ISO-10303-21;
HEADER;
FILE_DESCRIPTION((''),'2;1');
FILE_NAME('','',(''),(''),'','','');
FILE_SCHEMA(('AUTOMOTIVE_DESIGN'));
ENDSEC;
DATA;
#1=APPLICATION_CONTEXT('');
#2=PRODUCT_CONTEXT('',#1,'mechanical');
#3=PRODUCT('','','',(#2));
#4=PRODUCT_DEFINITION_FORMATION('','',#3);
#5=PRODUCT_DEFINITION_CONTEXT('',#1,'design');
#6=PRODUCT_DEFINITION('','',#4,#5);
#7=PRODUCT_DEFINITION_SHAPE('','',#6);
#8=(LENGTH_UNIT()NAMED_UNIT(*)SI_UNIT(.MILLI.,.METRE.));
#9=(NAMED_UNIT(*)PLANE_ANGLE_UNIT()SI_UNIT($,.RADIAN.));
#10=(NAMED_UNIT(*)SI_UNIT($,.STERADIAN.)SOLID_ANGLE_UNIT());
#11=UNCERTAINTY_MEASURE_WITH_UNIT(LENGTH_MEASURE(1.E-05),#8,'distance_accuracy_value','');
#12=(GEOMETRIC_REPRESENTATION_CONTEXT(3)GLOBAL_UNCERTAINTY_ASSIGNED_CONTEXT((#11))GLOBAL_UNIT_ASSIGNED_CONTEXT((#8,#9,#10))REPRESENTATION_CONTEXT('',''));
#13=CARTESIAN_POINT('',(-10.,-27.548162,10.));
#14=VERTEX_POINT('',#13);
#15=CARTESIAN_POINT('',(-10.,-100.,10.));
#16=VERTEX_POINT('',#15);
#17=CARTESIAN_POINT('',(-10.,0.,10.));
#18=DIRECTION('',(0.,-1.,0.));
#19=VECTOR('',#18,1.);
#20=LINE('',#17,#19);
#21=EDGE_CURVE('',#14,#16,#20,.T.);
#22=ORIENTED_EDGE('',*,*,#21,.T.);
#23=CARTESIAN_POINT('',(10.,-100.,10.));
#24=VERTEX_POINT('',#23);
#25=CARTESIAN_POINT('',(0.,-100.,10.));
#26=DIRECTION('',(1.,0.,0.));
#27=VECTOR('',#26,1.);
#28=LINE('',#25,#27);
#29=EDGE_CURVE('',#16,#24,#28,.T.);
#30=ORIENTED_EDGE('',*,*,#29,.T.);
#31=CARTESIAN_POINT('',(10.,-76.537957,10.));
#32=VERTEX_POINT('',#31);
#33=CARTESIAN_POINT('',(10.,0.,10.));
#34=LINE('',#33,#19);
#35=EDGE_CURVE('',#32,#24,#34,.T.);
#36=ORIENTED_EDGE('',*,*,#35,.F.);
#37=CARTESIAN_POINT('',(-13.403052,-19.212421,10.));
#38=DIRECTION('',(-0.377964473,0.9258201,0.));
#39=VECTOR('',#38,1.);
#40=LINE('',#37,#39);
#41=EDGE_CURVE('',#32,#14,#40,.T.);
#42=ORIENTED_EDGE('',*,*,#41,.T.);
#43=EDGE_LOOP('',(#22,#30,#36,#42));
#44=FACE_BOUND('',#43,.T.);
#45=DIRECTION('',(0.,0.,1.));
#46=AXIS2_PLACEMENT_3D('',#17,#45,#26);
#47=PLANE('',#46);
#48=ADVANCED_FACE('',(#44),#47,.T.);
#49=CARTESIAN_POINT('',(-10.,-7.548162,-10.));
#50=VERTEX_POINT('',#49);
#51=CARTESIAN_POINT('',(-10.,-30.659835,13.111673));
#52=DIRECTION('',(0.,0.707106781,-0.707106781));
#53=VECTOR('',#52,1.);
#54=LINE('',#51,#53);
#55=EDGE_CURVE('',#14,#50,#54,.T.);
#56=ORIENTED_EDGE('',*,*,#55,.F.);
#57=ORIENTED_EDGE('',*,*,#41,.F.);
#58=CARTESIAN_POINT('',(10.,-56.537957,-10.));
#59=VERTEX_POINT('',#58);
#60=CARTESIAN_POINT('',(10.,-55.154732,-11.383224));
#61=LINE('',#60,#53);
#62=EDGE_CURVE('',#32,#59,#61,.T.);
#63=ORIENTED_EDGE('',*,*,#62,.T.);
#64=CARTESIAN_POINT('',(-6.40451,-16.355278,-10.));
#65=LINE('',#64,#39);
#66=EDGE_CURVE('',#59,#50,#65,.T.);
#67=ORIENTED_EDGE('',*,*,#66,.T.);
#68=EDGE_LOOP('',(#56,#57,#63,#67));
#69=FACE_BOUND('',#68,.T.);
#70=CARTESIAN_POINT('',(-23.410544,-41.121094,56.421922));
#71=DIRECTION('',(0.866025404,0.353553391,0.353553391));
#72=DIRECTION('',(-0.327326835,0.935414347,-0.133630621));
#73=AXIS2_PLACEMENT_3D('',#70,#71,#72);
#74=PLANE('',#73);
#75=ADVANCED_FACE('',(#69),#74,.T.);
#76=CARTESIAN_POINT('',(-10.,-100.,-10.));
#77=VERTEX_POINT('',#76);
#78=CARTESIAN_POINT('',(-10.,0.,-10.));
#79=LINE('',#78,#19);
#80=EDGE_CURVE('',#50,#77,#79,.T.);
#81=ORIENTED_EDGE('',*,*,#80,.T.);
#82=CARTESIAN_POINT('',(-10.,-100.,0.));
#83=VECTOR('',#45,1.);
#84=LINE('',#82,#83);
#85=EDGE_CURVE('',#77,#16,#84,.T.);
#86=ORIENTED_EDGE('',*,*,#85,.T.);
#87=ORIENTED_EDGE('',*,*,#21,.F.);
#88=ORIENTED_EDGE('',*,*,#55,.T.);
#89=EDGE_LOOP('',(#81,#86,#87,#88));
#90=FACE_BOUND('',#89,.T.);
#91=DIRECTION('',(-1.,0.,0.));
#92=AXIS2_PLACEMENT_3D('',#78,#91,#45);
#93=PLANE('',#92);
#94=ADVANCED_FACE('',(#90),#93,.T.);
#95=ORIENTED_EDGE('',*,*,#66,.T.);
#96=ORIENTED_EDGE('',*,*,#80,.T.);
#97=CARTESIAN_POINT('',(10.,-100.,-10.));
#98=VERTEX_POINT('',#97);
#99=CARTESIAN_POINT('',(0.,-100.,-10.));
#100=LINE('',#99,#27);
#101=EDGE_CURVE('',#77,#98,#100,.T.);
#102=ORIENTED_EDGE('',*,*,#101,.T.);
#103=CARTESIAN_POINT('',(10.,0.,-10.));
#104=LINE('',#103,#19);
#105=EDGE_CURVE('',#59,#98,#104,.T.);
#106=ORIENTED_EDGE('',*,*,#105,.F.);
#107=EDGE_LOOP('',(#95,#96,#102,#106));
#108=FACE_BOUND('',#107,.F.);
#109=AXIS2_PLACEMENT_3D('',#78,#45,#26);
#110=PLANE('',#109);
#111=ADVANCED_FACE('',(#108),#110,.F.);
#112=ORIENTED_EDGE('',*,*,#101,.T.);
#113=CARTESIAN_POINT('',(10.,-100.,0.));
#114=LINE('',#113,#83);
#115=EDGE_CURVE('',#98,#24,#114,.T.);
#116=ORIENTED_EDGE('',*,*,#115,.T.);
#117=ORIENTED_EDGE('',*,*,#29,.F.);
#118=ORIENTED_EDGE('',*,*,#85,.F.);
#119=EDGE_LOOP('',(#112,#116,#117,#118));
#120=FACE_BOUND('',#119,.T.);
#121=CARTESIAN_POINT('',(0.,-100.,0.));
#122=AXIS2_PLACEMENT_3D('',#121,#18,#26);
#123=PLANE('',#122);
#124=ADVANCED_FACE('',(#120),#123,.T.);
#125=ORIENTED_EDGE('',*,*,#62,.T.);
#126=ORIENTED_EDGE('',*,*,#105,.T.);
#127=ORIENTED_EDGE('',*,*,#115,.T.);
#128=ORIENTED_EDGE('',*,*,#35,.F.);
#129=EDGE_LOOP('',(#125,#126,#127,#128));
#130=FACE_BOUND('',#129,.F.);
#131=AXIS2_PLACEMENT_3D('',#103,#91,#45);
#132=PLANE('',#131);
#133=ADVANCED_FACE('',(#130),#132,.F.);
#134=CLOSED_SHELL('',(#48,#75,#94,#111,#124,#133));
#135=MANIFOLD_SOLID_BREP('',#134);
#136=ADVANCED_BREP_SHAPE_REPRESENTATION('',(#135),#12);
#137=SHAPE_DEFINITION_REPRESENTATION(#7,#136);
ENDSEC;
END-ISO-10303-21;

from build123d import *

# Parameters (mm, degrees)
F0_W          = 20
F0_H          = 20
F1_DEPTH      = 100
F5_W          = 527.4000167847
F5_H          = 486.7753833532
F6_DEPTH      = 18.4
F6_DEPTH_BACK = 8.6612540378


with BuildPart() as f1:
    # F0 (on Front) → F1 (new body)
    with BuildSketch(Plane.XZ):
        Rectangle(F0_W, F0_H)
    extrude(amount=F1_DEPTH)

    # F5 (on face) → F6 (cut, two sides)
    with BuildSketch(Plane(origin=(3.0618621785, 1.25, 1.25), x_dir=(-0.3273268354, 0.9354143467, -0.133630621), z_dir=(0.8660254038, 0.3535533906, 0.3535533906))) as f6_sk:
        with Locations((-38.3420586586, 61.0849037766)):
            Rectangle(F5_W, F5_H)
    extrude(amount=-F6_DEPTH, mode=Mode.SUBTRACT)
    extrude(f6_sk.sketch, amount=F6_DEPTH_BACK, mode=Mode.SUBTRACT)


solid = f1.part
